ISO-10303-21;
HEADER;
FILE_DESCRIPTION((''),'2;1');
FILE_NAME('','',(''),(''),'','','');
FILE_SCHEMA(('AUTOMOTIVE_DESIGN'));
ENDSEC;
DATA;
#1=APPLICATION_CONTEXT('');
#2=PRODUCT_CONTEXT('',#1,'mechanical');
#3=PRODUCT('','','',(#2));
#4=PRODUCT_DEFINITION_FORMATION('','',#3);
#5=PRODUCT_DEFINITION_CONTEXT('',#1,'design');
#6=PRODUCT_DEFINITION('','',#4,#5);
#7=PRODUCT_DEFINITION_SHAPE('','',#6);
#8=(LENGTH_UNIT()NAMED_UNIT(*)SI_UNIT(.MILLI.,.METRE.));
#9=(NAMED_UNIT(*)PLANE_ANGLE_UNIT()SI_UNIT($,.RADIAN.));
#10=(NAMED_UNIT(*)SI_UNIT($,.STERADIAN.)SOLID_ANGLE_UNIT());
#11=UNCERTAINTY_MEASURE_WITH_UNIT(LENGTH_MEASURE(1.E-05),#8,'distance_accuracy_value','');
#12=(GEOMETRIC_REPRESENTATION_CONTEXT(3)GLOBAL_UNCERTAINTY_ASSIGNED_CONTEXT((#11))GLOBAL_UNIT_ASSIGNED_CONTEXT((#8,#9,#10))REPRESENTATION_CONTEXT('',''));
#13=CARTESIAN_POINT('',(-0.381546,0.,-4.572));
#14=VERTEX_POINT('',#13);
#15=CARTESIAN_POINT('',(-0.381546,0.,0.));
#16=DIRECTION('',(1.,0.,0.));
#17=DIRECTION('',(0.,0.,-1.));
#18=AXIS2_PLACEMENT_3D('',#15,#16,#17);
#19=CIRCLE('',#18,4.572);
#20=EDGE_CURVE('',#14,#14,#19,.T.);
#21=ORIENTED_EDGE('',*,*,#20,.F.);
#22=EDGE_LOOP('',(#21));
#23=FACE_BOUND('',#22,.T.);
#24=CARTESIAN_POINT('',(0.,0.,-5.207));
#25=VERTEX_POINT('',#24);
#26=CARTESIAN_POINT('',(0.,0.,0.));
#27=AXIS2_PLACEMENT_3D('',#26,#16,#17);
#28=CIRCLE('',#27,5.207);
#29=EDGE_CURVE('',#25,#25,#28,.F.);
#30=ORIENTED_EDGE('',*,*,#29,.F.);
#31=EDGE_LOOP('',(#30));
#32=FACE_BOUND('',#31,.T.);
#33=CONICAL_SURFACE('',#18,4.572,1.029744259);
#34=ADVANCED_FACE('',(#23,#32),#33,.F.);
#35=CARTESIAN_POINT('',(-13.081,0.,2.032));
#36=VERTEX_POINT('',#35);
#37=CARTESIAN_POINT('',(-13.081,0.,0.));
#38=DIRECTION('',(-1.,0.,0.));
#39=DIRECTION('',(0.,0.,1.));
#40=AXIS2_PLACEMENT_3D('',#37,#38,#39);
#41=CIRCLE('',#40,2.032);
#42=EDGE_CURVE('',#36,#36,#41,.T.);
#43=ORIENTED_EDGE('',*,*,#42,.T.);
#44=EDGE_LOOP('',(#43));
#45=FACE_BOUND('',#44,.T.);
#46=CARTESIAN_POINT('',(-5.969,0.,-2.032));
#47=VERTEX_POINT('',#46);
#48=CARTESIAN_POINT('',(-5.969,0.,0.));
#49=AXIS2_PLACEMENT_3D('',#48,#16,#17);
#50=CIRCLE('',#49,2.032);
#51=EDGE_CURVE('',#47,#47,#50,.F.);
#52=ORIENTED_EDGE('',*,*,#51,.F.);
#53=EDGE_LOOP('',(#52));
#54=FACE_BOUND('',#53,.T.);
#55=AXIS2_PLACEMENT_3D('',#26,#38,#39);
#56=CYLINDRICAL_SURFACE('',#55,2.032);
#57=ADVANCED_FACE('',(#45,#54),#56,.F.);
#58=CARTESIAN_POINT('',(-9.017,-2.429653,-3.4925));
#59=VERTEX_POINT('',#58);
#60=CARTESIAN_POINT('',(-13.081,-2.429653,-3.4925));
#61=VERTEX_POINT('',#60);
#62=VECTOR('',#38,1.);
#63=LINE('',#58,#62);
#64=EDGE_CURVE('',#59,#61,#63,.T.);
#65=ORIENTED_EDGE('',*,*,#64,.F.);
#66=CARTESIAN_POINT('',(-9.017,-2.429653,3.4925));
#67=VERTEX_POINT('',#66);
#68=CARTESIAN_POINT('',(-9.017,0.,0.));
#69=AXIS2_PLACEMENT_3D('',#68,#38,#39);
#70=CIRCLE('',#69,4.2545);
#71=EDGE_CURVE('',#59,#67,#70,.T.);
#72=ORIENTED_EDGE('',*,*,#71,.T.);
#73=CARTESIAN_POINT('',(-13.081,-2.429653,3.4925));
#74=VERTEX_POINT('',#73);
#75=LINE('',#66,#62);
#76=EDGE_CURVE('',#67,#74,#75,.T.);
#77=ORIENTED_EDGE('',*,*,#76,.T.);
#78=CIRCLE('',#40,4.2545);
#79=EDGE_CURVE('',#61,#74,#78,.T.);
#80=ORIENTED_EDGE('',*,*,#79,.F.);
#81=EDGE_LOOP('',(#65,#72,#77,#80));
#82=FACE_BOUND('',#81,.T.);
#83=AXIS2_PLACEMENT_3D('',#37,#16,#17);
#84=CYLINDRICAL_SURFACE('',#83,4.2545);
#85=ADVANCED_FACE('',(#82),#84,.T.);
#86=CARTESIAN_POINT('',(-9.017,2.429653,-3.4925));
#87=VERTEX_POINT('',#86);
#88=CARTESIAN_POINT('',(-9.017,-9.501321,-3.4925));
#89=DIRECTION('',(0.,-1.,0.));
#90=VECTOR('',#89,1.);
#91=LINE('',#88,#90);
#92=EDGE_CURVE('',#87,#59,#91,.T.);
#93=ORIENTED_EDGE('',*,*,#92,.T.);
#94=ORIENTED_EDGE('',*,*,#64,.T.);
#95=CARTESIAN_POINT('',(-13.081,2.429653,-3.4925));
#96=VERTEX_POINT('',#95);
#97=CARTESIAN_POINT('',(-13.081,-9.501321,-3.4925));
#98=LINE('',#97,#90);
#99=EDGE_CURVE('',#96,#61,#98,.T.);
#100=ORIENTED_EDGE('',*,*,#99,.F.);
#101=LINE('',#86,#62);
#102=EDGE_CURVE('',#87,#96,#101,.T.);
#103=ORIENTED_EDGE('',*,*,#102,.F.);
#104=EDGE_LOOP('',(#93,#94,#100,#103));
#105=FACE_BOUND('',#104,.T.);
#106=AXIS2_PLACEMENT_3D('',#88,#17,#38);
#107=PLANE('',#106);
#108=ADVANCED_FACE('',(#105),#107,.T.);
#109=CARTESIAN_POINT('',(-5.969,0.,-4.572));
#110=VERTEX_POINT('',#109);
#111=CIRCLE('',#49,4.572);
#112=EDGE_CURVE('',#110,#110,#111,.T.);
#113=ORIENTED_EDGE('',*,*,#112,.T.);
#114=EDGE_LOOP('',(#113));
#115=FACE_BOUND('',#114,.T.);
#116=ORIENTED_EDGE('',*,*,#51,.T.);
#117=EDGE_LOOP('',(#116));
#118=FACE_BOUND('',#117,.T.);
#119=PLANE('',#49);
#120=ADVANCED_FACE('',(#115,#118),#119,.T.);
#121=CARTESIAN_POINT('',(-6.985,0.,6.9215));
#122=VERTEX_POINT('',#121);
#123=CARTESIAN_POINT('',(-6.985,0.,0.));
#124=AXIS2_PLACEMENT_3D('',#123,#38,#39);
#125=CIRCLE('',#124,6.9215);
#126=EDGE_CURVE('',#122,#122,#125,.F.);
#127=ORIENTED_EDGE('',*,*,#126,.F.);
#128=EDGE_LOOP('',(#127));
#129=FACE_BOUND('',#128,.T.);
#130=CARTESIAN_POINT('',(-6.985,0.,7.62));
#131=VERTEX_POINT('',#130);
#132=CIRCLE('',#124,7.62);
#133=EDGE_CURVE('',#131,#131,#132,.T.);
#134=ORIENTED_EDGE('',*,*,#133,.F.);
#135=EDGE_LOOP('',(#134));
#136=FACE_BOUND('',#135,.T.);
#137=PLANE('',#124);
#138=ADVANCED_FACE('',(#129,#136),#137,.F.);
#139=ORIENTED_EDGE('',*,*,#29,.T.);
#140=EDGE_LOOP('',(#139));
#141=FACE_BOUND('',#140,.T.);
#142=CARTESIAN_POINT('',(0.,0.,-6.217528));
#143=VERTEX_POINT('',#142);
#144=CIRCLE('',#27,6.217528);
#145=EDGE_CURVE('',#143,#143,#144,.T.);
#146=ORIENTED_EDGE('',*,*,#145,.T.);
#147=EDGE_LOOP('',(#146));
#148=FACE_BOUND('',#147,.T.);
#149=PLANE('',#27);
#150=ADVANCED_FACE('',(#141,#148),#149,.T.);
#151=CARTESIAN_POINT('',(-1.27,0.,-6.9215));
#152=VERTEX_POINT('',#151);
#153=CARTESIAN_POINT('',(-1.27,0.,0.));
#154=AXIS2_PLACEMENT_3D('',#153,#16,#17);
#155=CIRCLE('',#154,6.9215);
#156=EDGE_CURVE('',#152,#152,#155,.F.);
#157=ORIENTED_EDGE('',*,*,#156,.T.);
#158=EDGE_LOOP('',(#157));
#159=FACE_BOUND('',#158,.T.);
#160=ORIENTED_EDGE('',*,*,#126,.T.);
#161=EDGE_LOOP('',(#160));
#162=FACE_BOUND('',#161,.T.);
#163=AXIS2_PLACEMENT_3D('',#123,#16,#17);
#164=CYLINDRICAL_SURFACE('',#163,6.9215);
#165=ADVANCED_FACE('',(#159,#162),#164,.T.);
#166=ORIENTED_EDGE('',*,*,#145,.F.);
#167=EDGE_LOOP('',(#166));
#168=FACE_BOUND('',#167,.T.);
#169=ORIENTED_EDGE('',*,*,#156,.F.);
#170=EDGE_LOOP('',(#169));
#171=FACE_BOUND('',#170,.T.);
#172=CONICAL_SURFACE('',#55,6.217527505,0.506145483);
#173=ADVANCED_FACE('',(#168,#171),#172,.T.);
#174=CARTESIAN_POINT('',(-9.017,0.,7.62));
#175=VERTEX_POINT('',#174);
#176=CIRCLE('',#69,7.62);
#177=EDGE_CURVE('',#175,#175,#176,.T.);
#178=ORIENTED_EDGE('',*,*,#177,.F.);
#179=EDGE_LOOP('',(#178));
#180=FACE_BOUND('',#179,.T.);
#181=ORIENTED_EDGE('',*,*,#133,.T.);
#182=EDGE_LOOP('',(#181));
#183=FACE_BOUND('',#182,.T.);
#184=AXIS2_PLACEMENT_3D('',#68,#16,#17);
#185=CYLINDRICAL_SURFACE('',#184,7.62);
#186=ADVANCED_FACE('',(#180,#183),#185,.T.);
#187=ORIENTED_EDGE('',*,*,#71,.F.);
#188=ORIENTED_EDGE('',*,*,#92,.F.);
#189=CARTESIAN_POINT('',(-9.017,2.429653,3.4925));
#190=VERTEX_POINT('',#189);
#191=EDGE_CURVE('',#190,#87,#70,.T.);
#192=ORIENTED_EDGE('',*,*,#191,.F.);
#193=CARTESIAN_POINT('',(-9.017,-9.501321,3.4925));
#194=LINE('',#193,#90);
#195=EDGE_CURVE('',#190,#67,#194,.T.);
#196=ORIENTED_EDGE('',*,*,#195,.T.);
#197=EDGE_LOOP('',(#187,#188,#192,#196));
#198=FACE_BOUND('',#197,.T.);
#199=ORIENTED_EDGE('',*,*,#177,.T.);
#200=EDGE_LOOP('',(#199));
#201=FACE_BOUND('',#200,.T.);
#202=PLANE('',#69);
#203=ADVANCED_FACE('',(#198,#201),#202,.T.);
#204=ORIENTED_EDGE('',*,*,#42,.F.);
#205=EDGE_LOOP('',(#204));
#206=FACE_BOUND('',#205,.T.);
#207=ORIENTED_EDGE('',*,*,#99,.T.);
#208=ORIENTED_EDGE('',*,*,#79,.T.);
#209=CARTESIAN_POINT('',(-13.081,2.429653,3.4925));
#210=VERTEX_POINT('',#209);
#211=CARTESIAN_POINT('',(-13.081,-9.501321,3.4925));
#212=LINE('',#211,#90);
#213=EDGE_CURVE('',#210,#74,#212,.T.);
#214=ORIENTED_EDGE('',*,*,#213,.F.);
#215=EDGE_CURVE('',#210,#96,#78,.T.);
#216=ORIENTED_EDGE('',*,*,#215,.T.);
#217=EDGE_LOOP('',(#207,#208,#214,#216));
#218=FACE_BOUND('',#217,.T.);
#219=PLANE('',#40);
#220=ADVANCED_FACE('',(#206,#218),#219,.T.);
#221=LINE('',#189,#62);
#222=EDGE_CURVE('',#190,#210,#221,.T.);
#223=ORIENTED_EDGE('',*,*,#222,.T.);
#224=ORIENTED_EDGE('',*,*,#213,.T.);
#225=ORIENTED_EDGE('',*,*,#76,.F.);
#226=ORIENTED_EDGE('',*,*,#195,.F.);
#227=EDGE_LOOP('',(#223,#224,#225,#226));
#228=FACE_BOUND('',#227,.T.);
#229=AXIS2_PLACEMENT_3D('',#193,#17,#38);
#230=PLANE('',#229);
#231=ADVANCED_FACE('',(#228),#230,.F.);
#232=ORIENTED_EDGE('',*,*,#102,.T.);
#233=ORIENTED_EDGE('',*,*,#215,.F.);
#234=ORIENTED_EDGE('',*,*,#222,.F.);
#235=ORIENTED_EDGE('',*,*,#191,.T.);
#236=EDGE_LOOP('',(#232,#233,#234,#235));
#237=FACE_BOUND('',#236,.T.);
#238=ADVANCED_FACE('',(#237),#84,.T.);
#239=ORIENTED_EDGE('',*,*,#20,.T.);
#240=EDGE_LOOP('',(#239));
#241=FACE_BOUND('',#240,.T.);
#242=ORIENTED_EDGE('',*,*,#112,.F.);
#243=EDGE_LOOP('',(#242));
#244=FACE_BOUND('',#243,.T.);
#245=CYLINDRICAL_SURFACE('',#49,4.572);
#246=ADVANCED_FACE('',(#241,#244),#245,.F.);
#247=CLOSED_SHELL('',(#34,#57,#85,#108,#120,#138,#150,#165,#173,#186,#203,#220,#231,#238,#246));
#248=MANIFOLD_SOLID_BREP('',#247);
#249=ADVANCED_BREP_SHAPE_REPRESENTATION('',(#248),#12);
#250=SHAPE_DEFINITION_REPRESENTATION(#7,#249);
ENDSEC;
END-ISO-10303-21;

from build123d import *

# Parameters (mm, degrees)
SKETCH1_R           = 6.9215
BOSS_EXTRUDE1_DEPTH = 6.985
SKETCH2_R           = 7.62
BOSS_EXTRUDE2_DEPTH = 2.032
SKETCH3_R           = 4.2545
BOSS_EXTRUDE3_DEPTH = 4.064
CUT_EXTRUDE1_START  = -4.064
CUT_EXTRUDE1_DEPTH  = 4.064
SKETCH5_R           = 2.032
CUT_EXTRUDE2_DEPTH  = 17.948196394
SKETCH6_R           = 4.572
CUT_EXTRUDE3_DEPTH  = 5.969
CHAMFER1_SIZE       = 1.27
CHAMFER1_SIZE2      = 0.703972495
CHAMFER2_SIZE       = 0.635
CHAMFER2_SIZE2      = 0.381546493


with BuildPart() as part:
    # Sketch1 → Boss-Extrude1 (new body)
    with BuildSketch(Plane(origin=(0, 0, 0), x_dir=(0, 0, -1), z_dir=(1, 0, 0))):
        Circle(SKETCH1_R)
    extrude(amount=-BOSS_EXTRUDE1_DEPTH)

    # Sketch2 → Boss-Extrude2 (add)
    with BuildSketch(Plane.ZY.offset(6.985)):
        Circle(SKETCH2_R)
    extrude(amount=BOSS_EXTRUDE2_DEPTH)

    # Sketch3 → Boss-Extrude3 (add)
    with BuildSketch(Plane.ZY.offset(9.017)):
        Circle(SKETCH3_R)
    extrude(amount=BOSS_EXTRUDE3_DEPTH)

    # Sketch4 → Cut-Extrude1 (cut)
    with BuildSketch(Plane.ZY.offset(13.081).offset(CUT_EXTRUDE1_START)):
        with BuildLine():
            Line((-3.4925, -2.429653062), (-3.4925, 2.429653062))
            ThreePointArc((-3.4925, 2.429653062), (-4.2545, 0), (-3.4925, -2.429653062))
        make_face()
        with BuildLine():
            ThreePointArc((4.2545, 0), (4.059532701, 1.273171041), (3.4925, 2.429653062))
            Line((3.4925, 2.429653062), (3.4925, -2.429653062))
            ThreePointArc((3.4925, -2.429653062), (4.059532701, -1.273171041), (4.2545, 0))
        make_face()
    extrude(amount=CUT_EXTRUDE1_DEPTH, mode=Mode.SUBTRACT)

    # Sketch5 → Cut-Extrude2 (cut, through all)
    with BuildSketch(Plane.ZY.offset(13.081)):
        Circle(SKETCH5_R)
    extrude(amount=-CUT_EXTRUDE2_DEPTH, mode=Mode.SUBTRACT)

    # Sketch6 → Cut-Extrude3 (cut)
    with BuildSketch(Plane(origin=(0, 0, 0), x_dir=(0, 0, -1), z_dir=(1, 0, 0))):
        Circle(SKETCH6_R)
    extrude(amount=-CUT_EXTRUDE3_DEPTH, mode=Mode.SUBTRACT)

    # Chamfer1
    chamfer1_edges = [part.edges().sort_by_distance(p)[0] for p in [
        (0, 0, 6.9215),
    ]]
    chamfer1_side = [part.faces().sort_by_distance(p)[0] for p in [
        (-3.4925, 0, 6.9215),
    ]]
    chamfer(chamfer1_edges, length=CHAMFER1_SIZE, length2=CHAMFER1_SIZE2, reference=chamfer1_side[0])

    # Chamfer2
    chamfer2_edges = [part.edges().sort_by_distance(p)[0] for p in [
        (0, 0, 4.572),
    ]]
    chamfer2_side = [part.faces().sort_by_distance(p)[0] for p in [
        (0, 0, 6.04166927),
    ]]
    chamfer(chamfer2_edges, length=CHAMFER2_SIZE, length2=CHAMFER2_SIZE2, reference=chamfer2_side[0])


solid = part.part
